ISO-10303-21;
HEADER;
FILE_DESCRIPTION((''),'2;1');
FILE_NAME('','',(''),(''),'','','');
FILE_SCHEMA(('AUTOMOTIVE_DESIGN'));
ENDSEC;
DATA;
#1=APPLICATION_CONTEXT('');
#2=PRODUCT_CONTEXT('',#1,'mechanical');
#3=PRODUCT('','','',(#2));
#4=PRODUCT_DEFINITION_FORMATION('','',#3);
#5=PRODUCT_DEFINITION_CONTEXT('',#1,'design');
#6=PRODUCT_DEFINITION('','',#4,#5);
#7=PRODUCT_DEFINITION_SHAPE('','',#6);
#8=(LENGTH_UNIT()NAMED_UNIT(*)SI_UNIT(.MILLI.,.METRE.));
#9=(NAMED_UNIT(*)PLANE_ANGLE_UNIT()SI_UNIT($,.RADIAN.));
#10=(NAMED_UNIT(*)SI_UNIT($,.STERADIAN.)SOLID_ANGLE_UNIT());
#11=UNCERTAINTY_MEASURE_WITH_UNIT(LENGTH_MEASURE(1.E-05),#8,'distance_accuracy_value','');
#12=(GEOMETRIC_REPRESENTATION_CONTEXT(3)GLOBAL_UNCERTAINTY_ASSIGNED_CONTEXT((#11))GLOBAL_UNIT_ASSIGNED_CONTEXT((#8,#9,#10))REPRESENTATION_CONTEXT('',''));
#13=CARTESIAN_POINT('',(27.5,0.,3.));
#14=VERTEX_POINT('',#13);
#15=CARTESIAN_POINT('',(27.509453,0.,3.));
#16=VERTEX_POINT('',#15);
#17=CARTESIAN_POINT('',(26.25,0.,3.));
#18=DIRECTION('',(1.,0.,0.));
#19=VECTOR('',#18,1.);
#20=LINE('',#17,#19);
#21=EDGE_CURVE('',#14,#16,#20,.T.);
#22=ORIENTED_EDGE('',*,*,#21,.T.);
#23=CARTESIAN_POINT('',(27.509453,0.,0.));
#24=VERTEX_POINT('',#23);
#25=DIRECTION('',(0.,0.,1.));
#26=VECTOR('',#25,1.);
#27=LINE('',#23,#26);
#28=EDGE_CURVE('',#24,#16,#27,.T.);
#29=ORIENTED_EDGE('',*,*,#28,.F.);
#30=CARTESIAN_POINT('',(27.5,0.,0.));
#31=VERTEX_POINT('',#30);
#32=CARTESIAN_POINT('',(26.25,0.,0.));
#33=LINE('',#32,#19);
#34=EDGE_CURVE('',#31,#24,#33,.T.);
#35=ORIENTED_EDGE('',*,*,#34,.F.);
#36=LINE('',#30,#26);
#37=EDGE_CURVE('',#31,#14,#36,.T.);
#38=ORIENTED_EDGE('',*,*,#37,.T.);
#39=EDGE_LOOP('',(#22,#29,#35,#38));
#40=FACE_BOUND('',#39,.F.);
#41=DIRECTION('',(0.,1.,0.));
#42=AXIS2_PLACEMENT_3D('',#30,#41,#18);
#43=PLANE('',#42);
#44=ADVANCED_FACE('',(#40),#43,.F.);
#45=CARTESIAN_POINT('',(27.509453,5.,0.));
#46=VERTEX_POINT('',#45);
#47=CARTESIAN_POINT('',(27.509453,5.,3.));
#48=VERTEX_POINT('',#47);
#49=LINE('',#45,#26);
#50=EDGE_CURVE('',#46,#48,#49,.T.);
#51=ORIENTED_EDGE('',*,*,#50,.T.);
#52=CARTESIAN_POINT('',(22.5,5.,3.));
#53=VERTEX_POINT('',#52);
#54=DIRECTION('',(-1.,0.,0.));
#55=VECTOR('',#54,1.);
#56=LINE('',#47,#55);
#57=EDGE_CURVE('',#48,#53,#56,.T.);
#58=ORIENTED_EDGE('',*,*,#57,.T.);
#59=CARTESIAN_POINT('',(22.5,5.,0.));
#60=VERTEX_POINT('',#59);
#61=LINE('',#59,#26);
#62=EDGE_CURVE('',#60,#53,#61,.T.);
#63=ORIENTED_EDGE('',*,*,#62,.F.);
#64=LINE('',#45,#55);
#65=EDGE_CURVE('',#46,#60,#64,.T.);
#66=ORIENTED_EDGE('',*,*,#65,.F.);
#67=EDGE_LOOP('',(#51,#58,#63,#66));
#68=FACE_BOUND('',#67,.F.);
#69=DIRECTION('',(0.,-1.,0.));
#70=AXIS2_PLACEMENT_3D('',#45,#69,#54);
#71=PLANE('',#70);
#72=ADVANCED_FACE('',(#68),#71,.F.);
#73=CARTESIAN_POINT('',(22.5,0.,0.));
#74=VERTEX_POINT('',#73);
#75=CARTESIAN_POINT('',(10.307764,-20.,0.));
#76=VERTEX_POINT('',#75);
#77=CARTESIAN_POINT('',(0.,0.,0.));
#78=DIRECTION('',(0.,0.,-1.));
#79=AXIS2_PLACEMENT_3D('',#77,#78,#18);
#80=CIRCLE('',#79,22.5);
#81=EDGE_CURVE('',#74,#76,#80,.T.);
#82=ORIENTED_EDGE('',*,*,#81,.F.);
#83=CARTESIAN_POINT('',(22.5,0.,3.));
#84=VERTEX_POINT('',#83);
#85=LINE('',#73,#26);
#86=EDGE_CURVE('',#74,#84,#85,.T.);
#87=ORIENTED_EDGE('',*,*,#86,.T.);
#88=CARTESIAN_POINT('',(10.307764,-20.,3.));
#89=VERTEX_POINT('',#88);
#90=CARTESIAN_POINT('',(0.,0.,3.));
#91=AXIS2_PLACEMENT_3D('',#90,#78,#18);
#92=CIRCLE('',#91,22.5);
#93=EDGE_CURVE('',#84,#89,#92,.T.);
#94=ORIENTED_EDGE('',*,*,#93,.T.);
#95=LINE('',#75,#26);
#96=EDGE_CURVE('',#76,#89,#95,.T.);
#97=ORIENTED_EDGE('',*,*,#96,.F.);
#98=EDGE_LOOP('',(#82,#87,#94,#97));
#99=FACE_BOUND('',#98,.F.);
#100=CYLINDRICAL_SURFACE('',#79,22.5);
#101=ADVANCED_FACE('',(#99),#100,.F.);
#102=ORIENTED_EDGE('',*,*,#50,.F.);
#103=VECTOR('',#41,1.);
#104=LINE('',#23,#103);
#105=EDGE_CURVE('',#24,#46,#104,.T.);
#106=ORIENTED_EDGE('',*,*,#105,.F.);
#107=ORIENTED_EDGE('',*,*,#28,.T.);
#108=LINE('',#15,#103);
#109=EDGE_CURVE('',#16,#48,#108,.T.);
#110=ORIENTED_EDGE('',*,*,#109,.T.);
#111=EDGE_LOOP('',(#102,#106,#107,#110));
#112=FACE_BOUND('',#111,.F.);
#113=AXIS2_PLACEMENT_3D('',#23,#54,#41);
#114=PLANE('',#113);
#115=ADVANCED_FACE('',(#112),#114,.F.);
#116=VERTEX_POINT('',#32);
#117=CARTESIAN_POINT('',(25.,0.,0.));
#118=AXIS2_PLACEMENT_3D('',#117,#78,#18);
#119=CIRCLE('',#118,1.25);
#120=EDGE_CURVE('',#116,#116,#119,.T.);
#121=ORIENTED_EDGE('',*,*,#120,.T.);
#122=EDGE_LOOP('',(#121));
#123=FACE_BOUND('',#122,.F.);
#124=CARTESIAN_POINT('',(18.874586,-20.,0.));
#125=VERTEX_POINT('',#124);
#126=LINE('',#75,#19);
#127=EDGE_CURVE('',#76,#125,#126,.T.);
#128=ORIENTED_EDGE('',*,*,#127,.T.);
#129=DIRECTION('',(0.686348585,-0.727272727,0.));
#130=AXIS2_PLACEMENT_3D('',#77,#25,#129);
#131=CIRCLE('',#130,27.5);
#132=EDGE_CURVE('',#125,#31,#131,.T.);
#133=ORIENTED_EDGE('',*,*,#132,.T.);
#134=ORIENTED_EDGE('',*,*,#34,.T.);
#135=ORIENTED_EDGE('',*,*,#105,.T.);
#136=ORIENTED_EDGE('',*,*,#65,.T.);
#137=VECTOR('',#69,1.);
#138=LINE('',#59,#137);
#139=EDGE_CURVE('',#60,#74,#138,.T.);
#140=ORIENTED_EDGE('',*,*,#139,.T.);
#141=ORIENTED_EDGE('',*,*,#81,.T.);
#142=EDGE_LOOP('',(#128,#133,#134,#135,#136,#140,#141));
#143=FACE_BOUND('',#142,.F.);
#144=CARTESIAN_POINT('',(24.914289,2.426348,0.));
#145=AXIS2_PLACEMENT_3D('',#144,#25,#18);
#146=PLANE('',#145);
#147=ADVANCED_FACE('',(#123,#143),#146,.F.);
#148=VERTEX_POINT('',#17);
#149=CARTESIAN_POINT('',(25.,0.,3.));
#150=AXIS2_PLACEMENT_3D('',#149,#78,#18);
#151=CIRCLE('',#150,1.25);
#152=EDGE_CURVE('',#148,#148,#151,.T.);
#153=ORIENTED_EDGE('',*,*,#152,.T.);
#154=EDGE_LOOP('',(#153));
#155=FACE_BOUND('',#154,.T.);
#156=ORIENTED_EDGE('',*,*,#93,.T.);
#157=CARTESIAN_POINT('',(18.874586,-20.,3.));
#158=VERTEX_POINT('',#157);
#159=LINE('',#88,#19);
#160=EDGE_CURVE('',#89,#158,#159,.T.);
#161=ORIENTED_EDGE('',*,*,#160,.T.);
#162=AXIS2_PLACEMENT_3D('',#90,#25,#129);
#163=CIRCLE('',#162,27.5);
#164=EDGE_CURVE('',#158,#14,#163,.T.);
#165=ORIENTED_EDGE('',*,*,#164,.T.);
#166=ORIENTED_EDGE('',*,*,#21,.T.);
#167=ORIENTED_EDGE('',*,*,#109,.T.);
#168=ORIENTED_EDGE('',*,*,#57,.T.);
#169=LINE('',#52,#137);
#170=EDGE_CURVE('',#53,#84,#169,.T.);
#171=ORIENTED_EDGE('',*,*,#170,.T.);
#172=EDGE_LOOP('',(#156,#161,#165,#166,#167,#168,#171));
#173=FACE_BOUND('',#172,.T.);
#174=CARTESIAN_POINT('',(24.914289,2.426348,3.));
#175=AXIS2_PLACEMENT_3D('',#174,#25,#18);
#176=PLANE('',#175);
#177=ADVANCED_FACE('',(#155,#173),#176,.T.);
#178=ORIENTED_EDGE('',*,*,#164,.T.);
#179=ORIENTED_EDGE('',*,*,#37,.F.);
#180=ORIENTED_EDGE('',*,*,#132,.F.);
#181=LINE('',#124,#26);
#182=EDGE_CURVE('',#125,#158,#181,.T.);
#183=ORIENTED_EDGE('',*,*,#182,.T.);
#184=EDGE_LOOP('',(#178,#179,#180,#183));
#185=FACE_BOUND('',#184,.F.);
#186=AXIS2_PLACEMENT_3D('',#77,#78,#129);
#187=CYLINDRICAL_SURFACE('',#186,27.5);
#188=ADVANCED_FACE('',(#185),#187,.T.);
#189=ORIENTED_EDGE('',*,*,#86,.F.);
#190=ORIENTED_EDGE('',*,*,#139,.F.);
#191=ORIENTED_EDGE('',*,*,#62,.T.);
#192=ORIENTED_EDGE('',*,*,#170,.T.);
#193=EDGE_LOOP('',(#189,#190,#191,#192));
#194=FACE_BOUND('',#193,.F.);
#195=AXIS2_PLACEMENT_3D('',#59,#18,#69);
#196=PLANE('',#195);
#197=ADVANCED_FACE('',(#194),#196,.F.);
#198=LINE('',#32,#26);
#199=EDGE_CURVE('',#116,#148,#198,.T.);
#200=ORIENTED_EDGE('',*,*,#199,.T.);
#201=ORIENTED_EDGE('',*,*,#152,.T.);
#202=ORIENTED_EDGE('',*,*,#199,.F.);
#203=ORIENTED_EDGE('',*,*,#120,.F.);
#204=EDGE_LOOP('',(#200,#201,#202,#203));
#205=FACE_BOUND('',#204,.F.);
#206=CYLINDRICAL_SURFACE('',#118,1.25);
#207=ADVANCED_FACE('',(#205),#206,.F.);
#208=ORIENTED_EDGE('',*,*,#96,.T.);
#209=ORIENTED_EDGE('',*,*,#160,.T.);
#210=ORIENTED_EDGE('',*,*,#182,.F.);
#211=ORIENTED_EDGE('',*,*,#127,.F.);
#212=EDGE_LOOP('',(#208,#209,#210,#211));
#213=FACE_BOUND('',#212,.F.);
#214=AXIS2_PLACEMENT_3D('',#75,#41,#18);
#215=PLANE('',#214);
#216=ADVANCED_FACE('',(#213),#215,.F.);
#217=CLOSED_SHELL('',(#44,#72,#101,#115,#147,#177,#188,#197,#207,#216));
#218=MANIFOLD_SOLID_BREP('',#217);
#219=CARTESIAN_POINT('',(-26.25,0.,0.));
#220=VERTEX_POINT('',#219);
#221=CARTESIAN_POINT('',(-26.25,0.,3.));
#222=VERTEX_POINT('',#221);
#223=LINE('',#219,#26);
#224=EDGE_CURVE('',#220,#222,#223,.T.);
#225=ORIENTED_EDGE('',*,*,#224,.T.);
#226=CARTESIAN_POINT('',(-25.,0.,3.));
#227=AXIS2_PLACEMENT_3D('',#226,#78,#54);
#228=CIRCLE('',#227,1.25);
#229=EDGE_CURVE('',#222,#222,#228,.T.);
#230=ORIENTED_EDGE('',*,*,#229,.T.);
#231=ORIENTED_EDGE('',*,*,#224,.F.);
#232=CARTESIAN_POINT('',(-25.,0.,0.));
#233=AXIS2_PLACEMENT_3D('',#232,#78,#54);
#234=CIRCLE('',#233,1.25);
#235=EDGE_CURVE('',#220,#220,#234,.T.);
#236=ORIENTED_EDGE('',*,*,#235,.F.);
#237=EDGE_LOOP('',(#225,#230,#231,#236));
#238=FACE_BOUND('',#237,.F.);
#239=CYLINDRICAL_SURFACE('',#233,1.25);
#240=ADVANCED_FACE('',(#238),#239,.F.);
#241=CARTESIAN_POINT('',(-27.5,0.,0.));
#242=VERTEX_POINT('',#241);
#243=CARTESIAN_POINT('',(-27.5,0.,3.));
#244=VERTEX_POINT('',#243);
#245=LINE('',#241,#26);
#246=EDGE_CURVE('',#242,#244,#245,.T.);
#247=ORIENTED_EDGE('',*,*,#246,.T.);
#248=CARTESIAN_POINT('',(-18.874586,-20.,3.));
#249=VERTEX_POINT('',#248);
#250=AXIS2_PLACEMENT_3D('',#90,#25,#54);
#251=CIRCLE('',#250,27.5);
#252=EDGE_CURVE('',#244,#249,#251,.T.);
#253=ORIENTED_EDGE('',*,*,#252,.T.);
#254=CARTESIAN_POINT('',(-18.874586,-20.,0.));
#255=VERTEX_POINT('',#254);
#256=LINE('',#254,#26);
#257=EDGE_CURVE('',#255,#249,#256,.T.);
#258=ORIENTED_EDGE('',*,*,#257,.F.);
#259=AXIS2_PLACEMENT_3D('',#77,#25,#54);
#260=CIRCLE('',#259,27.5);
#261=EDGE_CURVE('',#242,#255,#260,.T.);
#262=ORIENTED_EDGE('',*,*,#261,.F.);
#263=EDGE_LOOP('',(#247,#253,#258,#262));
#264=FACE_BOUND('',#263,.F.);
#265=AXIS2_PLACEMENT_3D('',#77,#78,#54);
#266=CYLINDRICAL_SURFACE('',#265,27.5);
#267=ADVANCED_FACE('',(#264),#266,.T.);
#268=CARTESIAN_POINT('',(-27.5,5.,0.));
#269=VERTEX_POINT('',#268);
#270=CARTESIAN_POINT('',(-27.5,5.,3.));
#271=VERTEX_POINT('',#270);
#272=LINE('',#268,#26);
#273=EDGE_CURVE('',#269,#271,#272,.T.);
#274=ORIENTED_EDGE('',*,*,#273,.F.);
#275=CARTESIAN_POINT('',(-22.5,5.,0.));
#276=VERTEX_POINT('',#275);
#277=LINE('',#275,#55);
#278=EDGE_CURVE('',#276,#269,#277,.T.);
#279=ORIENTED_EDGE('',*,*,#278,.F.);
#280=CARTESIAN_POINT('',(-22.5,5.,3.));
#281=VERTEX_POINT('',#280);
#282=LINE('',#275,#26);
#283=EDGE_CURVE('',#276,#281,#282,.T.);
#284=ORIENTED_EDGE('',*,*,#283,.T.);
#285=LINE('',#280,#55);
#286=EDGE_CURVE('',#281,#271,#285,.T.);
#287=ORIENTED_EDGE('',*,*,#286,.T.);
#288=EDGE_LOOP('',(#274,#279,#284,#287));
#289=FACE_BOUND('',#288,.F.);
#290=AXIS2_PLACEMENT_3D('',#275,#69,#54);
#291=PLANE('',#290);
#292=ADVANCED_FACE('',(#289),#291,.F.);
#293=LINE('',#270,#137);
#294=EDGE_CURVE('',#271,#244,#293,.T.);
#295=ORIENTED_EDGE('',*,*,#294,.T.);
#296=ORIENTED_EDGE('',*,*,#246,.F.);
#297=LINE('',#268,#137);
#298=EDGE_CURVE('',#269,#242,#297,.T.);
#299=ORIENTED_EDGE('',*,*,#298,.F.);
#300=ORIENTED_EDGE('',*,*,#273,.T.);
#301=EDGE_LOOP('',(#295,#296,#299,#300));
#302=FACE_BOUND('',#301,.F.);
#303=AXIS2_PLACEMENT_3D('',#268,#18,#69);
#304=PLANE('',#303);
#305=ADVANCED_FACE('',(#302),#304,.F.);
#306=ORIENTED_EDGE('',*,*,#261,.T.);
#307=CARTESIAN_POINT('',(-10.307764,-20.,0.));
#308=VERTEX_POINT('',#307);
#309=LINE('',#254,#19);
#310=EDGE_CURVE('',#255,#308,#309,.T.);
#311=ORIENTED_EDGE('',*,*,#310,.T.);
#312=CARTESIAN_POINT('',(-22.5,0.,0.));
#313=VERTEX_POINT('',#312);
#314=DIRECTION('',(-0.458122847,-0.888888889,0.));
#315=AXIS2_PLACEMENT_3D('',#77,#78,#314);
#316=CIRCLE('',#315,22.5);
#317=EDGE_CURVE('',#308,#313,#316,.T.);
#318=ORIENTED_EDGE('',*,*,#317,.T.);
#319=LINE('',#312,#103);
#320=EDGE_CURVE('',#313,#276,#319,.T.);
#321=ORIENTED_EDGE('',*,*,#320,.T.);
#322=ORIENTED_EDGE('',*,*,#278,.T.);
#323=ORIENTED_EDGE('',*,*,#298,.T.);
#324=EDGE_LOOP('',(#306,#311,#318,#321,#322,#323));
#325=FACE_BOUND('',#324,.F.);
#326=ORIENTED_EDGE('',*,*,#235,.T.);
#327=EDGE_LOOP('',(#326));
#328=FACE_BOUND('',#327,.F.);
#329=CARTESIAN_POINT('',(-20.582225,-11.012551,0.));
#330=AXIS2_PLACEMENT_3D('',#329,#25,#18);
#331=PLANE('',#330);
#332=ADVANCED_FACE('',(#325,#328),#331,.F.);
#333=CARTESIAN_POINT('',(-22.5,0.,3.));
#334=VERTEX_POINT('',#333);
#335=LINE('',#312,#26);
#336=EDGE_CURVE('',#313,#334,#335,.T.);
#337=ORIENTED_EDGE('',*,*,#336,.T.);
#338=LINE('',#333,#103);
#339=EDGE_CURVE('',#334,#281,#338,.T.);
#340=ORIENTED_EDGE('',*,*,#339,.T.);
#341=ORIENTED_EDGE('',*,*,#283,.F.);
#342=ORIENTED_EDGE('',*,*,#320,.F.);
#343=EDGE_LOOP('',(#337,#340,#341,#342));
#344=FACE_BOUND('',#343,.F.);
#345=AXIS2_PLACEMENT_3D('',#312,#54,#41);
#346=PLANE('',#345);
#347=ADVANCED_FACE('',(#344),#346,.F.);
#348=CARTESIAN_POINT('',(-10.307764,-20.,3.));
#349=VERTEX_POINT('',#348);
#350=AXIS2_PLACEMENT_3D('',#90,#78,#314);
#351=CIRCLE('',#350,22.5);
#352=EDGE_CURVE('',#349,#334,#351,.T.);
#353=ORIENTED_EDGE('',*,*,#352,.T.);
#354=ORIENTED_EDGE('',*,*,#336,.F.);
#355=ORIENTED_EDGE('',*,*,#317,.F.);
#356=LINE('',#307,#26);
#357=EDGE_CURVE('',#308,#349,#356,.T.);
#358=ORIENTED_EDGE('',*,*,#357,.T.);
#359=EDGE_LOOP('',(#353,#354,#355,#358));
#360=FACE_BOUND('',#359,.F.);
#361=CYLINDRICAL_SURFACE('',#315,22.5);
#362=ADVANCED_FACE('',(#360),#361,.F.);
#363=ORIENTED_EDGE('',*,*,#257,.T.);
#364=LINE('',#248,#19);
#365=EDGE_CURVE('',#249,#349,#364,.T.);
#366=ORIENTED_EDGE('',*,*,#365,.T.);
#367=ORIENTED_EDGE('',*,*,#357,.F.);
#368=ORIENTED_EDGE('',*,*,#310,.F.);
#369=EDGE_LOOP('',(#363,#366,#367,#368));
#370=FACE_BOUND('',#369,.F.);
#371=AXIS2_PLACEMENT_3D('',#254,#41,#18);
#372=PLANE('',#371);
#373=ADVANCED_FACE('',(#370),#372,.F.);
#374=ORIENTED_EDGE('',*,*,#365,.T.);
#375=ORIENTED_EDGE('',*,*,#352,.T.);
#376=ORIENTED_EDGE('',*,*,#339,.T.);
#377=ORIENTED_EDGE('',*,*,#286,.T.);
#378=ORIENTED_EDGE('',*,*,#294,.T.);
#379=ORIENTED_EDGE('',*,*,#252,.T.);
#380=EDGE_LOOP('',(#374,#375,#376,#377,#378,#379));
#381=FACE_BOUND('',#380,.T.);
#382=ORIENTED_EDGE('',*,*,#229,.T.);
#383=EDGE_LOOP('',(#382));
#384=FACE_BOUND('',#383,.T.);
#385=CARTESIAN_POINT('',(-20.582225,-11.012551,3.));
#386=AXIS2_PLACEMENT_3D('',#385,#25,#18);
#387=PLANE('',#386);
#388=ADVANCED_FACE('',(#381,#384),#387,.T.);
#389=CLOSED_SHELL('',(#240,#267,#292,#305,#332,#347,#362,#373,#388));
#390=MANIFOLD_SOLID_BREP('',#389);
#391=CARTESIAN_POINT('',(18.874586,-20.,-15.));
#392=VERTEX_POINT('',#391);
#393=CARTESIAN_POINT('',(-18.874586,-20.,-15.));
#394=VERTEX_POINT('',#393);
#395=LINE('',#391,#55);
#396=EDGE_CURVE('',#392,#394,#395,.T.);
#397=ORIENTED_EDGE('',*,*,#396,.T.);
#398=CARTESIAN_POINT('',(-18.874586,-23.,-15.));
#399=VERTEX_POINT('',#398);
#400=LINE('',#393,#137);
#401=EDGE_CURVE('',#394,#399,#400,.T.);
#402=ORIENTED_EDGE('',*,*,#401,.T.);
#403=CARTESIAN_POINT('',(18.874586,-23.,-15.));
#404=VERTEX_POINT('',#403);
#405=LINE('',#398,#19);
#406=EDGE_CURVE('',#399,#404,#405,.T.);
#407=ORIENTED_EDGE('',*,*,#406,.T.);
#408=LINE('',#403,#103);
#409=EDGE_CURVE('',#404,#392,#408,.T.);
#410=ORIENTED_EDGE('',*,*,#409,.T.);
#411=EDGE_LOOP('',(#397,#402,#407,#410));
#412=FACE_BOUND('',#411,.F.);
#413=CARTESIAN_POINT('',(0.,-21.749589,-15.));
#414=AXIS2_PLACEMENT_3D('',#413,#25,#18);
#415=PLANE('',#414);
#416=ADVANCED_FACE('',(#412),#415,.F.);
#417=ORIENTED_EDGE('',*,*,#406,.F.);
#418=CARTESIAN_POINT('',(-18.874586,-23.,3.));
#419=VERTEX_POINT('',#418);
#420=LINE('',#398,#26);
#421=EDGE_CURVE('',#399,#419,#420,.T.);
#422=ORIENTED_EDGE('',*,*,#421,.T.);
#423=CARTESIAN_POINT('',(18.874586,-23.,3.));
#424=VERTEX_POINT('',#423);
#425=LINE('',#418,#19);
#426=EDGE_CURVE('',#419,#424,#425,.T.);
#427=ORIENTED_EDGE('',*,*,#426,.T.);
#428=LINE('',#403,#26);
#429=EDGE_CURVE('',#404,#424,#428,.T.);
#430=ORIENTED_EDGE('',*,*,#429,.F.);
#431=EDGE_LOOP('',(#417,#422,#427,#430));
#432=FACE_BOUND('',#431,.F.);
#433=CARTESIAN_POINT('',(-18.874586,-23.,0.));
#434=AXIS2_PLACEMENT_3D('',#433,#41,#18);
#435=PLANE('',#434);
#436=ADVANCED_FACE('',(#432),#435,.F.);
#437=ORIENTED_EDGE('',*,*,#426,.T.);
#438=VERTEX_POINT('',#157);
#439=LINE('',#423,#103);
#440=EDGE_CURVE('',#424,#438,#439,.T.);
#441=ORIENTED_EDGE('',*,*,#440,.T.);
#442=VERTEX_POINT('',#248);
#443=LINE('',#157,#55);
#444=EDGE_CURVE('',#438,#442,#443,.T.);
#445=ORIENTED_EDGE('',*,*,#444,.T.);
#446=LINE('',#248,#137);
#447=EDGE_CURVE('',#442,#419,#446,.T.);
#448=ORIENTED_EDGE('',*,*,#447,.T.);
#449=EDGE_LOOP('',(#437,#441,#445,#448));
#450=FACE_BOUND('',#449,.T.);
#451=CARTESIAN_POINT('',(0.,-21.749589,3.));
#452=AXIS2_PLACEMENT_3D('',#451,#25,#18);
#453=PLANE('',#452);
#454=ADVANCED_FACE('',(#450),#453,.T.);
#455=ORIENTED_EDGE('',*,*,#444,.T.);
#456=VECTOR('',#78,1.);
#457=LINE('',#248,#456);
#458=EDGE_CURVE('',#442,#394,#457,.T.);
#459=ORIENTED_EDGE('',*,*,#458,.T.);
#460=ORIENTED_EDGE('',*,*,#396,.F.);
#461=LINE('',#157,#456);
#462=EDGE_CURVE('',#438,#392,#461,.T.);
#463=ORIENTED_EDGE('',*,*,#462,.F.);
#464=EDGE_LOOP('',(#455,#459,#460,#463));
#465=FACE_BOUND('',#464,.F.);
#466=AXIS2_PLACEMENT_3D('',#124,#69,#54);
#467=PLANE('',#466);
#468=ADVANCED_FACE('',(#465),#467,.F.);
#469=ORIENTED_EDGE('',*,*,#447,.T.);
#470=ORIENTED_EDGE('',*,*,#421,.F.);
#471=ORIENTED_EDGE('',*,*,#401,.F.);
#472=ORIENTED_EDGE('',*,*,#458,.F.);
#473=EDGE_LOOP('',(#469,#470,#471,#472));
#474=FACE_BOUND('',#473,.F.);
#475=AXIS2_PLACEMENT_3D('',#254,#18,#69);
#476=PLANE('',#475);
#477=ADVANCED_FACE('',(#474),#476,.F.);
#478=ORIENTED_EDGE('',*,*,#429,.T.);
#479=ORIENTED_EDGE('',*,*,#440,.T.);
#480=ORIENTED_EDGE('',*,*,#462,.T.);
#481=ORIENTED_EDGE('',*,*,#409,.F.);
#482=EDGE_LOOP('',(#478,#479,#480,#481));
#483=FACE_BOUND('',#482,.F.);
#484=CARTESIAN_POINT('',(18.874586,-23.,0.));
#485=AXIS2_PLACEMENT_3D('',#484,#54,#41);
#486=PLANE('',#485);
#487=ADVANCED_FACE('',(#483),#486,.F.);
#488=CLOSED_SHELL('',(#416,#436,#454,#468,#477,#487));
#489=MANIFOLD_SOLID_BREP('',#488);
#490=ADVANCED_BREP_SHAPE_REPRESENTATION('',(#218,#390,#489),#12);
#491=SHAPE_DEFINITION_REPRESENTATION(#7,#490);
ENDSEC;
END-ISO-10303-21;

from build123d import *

# Parameters (mm, degrees)
F1_DEPTH      = 3
F2_DEPTH      = 15
F2_DEPTH_BACK = 3


with BuildPart() as f1:
    # F0 (on Top) → F1 (new body)
    with BuildSketch(Plane.XY):
        with BuildLine():
            Line((22.5, 5), (22.5, 0))
            Line((22.5, 0), (23.75, 0))
            ThreePointArc((23.75, 0), (25, 1.25), (26.25, 0))
            Line((26.25, 0), (27.5, 0))
            ThreePointArc((27.5, 0), (27.3851688927, 2.510482965), (27.041634566, 5))
            Line((27.041634566, 5), (22.5, 5))
        make_face()
        with BuildLine():
            Line((27.5094527751, 5), (27.041634566, 5))
            ThreePointArc((27.041634566, 5), (27.3851688927, 2.510482965), (27.5, 0))
            Line((27.5, 0), (27.5094527751, 0))
            Line((27.5094527751, 0), (27.5094527751, 5))
        make_face()
        with BuildLine():
            Line((23.75, 0), (22.5, 0))
            ThreePointArc((22.5, 0), (19.2116460961, -11.7116460961), (10.307764064, -20))
            Line((10.307764064, -20), (18.8745860882, -20))
            ThreePointArc((18.8745860882, -20), (25.2517436767, -10.8903370603), (27.5, 0))
            Line((27.5, 0), (26.25, 0))
            ThreePointArc((26.25, 0), (25, -1.25), (23.75, 0))
        make_face()
    extrude(amount=F1_DEPTH)


with BuildPart() as f1b:
    # F0 (on Top) → F1, piece 2 (new body)
    with BuildSketch(Plane.XY):
        with BuildLine():
            Line((-22.5, 0), (-23.75, 0))
            ThreePointArc((-23.75, 0), (-25, -1.25), (-26.25, 0))
            Line((-26.25, 0), (-27.5, 0))
            ThreePointArc((-27.5, 0), (-25.2517436767, -10.8903370603), (-18.8745860882, -20))
            Line((-18.8745860882, -20), (-10.307764064, -20))
            ThreePointArc((-10.307764064, -20), (-19.2116460961, -11.7116460961), (-22.5, 0))
        make_face()
        with BuildLine():
            ThreePointArc((-26.25, 0), (-25, 1.25), (-23.75, 0))
            Line((-23.75, 0), (-22.5, 0))
            Line((-22.5, 0), (-22.5, 5))
            Line((-22.5, 5), (-27.041634566, 5))
            ThreePointArc((-27.041634566, 5), (-27.3851688927, 2.510482965), (-27.5, 0))
            Line((-27.5, 0), (-26.25, 0))
        make_face()
        with BuildLine():
            Line((-27.5, 5), (-27.5, 0))
            ThreePointArc((-27.5, 0), (-27.3851688927, 2.510482965), (-27.041634566, 5))
            Line((-27.041634566, 5), (-27.5, 5))
        make_face()
    extrude(amount=F1_DEPTH)


with BuildPart() as f2:
    # F0 (on Top) → F2 (new body, two sides)
    with BuildSketch(Plane.XY) as f2_sk:
        with BuildLine():
            ThreePointArc((10.307764064, -20), (0, -22.5), (-10.307764064, -20))
            Line((-10.307764064, -20), (-18.8745860882, -20))
            ThreePointArc((-18.8745860882, -20), (-17.0408459866, -21.5837802078), (-15.0748134317, -23))
            Line((-15.0748134317, -23), (15.0748134317, -23))
            ThreePointArc((15.0748134317, -23), (17.0408459866, -21.5837802078), (18.8745860882, -20))
            Line((18.8745860882, -20), (10.307764064, -20))
        make_face()
        with BuildLine():
            ThreePointArc((-15.0748134317, -23), (-17.0408459866, -21.5837802078), (-18.8745860882, -20))
            Line((-18.8745860882, -20), (-18.8745860882, -23))
            Line((-18.8745860882, -23), (-15.0748134317, -23))
        make_face()
        with BuildLine():
            Line((18.8745860882, -23), (18.8745860882, -20))
            ThreePointArc((18.8745860882, -20), (17.0408459866, -21.5837802078), (15.0748134317, -23))
            Line((15.0748134317, -23), (18.8745860882, -23))
        make_face()
        with BuildLine():
            Line((0, -20), (-10.307764064, -20))
            ThreePointArc((-10.307764064, -20), (0, -22.5), (10.307764064, -20))
            Line((10.307764064, -20), (0, -20))
        make_face()
    extrude(amount=-F2_DEPTH)
    extrude(f2_sk.sketch, amount=F2_DEPTH_BACK)


solid = Compound([f1.part, f1b.part, f2.part])
